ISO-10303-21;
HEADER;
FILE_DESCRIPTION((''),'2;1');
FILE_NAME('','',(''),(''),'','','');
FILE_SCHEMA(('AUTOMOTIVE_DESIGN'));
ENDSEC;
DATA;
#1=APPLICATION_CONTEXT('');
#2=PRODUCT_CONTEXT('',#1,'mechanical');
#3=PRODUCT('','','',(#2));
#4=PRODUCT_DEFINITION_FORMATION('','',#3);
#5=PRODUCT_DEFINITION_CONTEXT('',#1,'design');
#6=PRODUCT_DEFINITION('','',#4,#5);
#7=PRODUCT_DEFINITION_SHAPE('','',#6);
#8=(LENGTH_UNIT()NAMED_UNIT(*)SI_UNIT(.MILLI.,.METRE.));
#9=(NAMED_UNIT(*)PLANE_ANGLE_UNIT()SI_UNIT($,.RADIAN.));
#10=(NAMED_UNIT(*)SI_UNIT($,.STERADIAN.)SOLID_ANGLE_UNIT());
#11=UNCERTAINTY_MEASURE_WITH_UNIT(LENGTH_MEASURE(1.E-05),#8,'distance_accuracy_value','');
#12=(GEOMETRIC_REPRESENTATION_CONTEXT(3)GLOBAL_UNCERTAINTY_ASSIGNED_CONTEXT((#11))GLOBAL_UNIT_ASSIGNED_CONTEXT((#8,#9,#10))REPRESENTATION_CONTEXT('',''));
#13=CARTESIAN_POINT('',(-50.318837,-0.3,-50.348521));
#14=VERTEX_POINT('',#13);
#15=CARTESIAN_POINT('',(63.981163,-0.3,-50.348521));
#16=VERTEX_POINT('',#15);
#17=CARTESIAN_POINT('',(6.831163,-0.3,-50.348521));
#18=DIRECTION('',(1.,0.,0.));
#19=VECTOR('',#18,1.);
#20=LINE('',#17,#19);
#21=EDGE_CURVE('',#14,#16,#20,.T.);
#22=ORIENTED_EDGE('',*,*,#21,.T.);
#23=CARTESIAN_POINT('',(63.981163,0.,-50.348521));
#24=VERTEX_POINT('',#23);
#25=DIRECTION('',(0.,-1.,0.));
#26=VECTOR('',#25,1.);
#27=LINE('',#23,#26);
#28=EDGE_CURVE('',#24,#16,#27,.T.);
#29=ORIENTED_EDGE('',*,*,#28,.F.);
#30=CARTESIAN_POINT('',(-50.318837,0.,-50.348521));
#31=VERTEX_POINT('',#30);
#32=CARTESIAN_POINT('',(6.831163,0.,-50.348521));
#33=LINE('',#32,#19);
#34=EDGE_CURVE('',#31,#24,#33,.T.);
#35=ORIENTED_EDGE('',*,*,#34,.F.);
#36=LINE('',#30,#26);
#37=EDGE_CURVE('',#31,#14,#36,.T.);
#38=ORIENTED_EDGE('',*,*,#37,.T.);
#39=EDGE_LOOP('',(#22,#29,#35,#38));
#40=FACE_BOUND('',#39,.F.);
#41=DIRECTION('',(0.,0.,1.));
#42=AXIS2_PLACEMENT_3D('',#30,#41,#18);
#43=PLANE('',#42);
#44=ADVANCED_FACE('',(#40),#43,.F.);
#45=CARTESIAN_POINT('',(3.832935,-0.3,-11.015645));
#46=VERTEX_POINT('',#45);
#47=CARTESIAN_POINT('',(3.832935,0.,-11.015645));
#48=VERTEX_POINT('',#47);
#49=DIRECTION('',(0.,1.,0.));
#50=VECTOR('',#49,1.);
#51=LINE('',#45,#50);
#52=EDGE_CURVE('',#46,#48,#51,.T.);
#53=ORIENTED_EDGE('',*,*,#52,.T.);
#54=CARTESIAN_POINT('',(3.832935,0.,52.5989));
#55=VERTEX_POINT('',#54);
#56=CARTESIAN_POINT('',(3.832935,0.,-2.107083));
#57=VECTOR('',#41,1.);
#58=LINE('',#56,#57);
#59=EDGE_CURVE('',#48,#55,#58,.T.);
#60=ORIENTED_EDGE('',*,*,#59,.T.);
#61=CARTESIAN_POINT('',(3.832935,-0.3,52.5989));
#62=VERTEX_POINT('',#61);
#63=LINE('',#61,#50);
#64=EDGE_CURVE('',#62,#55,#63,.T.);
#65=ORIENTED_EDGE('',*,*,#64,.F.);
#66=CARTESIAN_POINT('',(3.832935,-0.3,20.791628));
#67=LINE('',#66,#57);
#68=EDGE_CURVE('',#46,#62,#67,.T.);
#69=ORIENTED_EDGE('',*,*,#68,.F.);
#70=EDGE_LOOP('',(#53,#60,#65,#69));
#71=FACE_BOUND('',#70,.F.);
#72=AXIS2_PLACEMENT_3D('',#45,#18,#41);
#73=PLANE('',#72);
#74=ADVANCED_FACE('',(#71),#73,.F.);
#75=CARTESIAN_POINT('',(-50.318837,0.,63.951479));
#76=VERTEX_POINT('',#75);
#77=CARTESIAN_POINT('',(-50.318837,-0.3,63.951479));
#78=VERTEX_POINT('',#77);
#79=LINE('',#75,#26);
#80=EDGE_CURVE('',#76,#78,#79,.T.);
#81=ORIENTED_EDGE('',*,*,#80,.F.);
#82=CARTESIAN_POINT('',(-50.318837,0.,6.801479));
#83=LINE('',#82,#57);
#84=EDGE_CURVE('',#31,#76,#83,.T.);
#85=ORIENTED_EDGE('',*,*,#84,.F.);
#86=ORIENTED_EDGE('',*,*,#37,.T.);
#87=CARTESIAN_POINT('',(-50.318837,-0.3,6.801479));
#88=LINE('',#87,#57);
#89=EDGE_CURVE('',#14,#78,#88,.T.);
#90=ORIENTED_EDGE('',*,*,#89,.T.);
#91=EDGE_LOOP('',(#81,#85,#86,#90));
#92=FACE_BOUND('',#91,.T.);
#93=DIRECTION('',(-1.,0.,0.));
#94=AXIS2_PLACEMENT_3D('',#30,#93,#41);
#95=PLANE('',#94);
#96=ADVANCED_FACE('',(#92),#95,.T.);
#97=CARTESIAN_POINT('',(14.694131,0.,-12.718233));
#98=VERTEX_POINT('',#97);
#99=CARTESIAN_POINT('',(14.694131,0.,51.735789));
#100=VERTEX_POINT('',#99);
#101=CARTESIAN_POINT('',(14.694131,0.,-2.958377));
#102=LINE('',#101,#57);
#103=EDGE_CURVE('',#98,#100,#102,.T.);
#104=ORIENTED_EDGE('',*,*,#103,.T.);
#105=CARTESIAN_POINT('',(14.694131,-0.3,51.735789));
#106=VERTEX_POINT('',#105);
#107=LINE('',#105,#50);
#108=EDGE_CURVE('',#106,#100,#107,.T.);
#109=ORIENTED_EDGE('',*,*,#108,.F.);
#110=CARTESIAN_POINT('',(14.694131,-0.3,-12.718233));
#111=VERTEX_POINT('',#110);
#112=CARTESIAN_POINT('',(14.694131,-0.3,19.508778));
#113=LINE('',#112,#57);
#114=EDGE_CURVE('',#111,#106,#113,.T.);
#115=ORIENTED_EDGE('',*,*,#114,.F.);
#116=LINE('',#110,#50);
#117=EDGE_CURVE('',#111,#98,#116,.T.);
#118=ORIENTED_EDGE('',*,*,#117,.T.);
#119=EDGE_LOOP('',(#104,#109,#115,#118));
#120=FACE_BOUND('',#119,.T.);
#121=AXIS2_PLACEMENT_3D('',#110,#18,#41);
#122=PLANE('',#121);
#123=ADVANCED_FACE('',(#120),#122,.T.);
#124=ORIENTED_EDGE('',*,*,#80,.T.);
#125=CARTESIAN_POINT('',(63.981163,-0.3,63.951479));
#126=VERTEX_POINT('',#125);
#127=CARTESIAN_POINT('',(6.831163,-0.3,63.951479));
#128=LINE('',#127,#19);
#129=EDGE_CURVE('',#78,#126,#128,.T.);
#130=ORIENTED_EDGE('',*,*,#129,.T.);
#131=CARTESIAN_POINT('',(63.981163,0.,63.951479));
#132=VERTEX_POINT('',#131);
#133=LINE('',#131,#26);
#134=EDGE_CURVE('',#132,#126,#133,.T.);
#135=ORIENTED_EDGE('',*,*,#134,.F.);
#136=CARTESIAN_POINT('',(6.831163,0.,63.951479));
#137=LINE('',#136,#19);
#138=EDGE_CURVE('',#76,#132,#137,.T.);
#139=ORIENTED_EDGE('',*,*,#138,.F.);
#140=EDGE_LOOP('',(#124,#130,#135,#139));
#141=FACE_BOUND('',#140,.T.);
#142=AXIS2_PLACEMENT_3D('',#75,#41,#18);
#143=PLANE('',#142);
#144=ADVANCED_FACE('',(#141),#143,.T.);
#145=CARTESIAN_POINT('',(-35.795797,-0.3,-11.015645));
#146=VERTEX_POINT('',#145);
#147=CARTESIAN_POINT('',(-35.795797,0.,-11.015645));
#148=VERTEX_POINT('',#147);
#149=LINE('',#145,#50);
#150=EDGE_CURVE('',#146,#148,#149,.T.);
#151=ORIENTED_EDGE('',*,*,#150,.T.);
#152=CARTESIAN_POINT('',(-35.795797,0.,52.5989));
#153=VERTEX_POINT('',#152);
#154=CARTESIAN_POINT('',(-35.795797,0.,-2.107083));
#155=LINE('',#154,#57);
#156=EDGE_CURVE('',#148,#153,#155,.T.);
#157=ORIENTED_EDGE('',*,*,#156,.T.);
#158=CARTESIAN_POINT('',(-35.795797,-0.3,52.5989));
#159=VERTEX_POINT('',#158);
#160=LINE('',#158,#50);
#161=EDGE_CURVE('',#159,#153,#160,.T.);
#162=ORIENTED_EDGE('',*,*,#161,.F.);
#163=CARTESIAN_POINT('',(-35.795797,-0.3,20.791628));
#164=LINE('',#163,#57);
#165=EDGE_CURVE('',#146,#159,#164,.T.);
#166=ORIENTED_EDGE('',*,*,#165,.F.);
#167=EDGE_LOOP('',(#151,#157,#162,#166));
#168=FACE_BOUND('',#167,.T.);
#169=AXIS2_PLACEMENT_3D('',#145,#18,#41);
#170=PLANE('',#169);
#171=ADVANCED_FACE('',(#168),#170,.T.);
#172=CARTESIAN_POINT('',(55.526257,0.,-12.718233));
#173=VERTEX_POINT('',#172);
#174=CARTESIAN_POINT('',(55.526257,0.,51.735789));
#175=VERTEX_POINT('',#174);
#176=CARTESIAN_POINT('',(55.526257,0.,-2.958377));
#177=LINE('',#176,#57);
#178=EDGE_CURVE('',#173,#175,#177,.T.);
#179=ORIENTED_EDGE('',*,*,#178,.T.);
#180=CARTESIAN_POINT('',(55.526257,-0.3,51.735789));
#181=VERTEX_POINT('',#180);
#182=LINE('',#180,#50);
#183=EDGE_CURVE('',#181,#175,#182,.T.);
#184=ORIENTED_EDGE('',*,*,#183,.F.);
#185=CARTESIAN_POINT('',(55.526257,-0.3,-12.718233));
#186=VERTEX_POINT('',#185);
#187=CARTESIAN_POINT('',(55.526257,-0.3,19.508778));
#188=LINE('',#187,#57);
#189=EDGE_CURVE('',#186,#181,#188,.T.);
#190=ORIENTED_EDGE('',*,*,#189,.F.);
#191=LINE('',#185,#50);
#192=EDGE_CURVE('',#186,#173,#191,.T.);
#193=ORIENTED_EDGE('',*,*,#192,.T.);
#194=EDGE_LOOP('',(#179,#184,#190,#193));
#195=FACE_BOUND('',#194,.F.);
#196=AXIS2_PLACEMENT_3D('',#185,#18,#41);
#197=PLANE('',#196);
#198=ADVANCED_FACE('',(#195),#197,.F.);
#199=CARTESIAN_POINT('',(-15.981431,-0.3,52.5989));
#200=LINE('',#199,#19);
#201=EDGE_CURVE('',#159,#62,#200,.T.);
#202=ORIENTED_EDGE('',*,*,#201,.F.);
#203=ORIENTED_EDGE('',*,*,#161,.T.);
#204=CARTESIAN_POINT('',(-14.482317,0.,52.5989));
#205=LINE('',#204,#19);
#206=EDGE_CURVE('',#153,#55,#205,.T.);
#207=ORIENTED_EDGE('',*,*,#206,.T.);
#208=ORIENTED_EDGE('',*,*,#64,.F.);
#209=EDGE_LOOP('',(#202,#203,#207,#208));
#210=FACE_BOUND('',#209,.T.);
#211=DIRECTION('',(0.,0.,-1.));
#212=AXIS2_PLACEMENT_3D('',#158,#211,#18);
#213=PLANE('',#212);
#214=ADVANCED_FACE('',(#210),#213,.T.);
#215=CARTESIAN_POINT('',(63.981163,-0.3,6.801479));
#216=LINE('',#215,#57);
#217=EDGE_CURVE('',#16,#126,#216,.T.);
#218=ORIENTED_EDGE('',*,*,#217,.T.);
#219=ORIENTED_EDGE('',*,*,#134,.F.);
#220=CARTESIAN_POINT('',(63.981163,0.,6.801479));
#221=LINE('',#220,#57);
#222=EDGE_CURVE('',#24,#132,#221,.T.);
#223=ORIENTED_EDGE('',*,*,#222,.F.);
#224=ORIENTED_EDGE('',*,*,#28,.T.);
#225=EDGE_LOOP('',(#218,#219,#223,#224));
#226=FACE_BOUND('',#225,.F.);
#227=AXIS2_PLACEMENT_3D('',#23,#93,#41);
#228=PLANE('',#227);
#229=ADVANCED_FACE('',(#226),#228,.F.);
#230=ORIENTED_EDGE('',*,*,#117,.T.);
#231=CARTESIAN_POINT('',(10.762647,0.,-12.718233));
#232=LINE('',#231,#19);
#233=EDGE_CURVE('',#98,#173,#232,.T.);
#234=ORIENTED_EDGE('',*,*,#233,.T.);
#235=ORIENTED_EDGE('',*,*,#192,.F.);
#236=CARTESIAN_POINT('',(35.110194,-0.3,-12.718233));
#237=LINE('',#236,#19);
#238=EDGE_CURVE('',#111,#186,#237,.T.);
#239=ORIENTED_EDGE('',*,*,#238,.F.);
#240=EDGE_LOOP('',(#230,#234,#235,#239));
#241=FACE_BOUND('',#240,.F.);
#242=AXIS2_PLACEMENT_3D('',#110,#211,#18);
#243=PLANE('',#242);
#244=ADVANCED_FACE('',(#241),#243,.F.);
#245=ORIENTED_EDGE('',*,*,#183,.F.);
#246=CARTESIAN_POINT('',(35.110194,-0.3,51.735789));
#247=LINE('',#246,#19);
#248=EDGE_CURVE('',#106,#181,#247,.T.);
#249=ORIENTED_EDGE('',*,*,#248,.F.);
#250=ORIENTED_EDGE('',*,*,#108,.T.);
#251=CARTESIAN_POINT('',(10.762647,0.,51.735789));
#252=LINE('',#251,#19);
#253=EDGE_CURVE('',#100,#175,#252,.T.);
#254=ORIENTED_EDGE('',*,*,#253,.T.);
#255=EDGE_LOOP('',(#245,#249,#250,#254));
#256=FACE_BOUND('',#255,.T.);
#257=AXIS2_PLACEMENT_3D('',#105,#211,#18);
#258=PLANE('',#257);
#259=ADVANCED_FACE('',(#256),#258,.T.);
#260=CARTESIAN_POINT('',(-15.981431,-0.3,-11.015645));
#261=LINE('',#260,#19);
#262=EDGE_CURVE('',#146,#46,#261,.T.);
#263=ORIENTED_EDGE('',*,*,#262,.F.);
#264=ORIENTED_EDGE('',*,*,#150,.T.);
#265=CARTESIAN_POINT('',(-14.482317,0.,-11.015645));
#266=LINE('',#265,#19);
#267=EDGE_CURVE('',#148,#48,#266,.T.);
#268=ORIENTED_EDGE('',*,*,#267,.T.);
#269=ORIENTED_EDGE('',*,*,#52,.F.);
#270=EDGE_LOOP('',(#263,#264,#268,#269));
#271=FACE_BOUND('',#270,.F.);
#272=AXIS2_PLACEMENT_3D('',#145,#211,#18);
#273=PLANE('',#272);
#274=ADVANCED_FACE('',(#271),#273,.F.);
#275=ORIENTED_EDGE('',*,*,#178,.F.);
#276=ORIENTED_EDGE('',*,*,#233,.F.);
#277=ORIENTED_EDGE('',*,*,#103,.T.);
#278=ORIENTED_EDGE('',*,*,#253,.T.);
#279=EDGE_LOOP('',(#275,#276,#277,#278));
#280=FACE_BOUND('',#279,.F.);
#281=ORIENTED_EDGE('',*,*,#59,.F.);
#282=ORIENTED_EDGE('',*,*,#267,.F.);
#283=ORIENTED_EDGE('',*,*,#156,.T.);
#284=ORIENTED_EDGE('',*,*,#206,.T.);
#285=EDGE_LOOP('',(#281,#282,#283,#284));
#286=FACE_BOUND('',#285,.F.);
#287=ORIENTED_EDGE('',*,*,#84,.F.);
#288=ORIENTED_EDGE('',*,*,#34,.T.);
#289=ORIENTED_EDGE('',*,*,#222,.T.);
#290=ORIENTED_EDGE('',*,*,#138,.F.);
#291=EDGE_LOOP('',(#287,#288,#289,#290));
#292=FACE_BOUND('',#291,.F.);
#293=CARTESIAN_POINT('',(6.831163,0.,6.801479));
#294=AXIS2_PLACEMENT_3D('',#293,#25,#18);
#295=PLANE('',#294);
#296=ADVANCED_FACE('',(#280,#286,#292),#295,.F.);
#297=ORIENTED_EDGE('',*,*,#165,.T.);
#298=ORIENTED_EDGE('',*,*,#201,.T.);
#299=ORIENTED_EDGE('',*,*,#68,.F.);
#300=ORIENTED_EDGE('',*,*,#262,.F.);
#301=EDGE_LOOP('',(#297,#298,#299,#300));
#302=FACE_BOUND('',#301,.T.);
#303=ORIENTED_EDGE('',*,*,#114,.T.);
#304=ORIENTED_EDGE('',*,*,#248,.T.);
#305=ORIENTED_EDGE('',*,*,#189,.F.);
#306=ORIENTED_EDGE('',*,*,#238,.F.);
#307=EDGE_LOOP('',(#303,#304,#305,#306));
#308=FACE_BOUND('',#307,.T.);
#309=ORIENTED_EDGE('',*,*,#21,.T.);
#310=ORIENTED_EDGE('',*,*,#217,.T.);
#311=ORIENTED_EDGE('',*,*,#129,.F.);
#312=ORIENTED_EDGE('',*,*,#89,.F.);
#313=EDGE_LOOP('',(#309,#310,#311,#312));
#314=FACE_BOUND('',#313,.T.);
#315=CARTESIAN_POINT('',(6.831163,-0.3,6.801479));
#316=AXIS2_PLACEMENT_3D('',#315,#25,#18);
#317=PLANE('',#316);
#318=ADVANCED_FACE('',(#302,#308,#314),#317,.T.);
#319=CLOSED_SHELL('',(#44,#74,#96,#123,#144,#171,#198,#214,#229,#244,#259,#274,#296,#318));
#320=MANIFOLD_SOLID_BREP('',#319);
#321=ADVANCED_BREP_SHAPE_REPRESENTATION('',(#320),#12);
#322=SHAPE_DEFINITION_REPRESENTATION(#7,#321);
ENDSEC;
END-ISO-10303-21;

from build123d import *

# Parameters (mm, degrees)
F0_W     = 114.3
F0_H     = 114.3
F1_DEPTH = 0.3
F2_W     = 39.628732
F2_H     = 63.614545
F3_DEPTH = 0.301
F4_W     = 40.832126
F4_H     = 64.454022
F5_DEPTH = 0.301


with BuildPart() as f1:
    # F0 (on Front) → F1 (new body)
    with BuildSketch(Plane.XZ):
        with Locations((6.831163, 6.801479)):
            Rectangle(F0_W, F0_H)
    extrude(amount=F1_DEPTH)

    # F2 (on face) → F3 (cut, through all)
    with BuildSketch(Plane.XZ.offset(0.3)):
        with Locations((-15.981431, 20.791628)):
            Rectangle(F2_W, F2_H)
    extrude(amount=-F3_DEPTH, mode=Mode.SUBTRACT)

    # F4 (on face) → F5 (cut, through all)
    with BuildSketch(Plane.XZ.offset(0.3)):
        with Locations((35.110194, 19.508778)):
            Rectangle(F4_W, F4_H)
    extrude(amount=-F5_DEPTH, mode=Mode.SUBTRACT)


solid = f1.part
